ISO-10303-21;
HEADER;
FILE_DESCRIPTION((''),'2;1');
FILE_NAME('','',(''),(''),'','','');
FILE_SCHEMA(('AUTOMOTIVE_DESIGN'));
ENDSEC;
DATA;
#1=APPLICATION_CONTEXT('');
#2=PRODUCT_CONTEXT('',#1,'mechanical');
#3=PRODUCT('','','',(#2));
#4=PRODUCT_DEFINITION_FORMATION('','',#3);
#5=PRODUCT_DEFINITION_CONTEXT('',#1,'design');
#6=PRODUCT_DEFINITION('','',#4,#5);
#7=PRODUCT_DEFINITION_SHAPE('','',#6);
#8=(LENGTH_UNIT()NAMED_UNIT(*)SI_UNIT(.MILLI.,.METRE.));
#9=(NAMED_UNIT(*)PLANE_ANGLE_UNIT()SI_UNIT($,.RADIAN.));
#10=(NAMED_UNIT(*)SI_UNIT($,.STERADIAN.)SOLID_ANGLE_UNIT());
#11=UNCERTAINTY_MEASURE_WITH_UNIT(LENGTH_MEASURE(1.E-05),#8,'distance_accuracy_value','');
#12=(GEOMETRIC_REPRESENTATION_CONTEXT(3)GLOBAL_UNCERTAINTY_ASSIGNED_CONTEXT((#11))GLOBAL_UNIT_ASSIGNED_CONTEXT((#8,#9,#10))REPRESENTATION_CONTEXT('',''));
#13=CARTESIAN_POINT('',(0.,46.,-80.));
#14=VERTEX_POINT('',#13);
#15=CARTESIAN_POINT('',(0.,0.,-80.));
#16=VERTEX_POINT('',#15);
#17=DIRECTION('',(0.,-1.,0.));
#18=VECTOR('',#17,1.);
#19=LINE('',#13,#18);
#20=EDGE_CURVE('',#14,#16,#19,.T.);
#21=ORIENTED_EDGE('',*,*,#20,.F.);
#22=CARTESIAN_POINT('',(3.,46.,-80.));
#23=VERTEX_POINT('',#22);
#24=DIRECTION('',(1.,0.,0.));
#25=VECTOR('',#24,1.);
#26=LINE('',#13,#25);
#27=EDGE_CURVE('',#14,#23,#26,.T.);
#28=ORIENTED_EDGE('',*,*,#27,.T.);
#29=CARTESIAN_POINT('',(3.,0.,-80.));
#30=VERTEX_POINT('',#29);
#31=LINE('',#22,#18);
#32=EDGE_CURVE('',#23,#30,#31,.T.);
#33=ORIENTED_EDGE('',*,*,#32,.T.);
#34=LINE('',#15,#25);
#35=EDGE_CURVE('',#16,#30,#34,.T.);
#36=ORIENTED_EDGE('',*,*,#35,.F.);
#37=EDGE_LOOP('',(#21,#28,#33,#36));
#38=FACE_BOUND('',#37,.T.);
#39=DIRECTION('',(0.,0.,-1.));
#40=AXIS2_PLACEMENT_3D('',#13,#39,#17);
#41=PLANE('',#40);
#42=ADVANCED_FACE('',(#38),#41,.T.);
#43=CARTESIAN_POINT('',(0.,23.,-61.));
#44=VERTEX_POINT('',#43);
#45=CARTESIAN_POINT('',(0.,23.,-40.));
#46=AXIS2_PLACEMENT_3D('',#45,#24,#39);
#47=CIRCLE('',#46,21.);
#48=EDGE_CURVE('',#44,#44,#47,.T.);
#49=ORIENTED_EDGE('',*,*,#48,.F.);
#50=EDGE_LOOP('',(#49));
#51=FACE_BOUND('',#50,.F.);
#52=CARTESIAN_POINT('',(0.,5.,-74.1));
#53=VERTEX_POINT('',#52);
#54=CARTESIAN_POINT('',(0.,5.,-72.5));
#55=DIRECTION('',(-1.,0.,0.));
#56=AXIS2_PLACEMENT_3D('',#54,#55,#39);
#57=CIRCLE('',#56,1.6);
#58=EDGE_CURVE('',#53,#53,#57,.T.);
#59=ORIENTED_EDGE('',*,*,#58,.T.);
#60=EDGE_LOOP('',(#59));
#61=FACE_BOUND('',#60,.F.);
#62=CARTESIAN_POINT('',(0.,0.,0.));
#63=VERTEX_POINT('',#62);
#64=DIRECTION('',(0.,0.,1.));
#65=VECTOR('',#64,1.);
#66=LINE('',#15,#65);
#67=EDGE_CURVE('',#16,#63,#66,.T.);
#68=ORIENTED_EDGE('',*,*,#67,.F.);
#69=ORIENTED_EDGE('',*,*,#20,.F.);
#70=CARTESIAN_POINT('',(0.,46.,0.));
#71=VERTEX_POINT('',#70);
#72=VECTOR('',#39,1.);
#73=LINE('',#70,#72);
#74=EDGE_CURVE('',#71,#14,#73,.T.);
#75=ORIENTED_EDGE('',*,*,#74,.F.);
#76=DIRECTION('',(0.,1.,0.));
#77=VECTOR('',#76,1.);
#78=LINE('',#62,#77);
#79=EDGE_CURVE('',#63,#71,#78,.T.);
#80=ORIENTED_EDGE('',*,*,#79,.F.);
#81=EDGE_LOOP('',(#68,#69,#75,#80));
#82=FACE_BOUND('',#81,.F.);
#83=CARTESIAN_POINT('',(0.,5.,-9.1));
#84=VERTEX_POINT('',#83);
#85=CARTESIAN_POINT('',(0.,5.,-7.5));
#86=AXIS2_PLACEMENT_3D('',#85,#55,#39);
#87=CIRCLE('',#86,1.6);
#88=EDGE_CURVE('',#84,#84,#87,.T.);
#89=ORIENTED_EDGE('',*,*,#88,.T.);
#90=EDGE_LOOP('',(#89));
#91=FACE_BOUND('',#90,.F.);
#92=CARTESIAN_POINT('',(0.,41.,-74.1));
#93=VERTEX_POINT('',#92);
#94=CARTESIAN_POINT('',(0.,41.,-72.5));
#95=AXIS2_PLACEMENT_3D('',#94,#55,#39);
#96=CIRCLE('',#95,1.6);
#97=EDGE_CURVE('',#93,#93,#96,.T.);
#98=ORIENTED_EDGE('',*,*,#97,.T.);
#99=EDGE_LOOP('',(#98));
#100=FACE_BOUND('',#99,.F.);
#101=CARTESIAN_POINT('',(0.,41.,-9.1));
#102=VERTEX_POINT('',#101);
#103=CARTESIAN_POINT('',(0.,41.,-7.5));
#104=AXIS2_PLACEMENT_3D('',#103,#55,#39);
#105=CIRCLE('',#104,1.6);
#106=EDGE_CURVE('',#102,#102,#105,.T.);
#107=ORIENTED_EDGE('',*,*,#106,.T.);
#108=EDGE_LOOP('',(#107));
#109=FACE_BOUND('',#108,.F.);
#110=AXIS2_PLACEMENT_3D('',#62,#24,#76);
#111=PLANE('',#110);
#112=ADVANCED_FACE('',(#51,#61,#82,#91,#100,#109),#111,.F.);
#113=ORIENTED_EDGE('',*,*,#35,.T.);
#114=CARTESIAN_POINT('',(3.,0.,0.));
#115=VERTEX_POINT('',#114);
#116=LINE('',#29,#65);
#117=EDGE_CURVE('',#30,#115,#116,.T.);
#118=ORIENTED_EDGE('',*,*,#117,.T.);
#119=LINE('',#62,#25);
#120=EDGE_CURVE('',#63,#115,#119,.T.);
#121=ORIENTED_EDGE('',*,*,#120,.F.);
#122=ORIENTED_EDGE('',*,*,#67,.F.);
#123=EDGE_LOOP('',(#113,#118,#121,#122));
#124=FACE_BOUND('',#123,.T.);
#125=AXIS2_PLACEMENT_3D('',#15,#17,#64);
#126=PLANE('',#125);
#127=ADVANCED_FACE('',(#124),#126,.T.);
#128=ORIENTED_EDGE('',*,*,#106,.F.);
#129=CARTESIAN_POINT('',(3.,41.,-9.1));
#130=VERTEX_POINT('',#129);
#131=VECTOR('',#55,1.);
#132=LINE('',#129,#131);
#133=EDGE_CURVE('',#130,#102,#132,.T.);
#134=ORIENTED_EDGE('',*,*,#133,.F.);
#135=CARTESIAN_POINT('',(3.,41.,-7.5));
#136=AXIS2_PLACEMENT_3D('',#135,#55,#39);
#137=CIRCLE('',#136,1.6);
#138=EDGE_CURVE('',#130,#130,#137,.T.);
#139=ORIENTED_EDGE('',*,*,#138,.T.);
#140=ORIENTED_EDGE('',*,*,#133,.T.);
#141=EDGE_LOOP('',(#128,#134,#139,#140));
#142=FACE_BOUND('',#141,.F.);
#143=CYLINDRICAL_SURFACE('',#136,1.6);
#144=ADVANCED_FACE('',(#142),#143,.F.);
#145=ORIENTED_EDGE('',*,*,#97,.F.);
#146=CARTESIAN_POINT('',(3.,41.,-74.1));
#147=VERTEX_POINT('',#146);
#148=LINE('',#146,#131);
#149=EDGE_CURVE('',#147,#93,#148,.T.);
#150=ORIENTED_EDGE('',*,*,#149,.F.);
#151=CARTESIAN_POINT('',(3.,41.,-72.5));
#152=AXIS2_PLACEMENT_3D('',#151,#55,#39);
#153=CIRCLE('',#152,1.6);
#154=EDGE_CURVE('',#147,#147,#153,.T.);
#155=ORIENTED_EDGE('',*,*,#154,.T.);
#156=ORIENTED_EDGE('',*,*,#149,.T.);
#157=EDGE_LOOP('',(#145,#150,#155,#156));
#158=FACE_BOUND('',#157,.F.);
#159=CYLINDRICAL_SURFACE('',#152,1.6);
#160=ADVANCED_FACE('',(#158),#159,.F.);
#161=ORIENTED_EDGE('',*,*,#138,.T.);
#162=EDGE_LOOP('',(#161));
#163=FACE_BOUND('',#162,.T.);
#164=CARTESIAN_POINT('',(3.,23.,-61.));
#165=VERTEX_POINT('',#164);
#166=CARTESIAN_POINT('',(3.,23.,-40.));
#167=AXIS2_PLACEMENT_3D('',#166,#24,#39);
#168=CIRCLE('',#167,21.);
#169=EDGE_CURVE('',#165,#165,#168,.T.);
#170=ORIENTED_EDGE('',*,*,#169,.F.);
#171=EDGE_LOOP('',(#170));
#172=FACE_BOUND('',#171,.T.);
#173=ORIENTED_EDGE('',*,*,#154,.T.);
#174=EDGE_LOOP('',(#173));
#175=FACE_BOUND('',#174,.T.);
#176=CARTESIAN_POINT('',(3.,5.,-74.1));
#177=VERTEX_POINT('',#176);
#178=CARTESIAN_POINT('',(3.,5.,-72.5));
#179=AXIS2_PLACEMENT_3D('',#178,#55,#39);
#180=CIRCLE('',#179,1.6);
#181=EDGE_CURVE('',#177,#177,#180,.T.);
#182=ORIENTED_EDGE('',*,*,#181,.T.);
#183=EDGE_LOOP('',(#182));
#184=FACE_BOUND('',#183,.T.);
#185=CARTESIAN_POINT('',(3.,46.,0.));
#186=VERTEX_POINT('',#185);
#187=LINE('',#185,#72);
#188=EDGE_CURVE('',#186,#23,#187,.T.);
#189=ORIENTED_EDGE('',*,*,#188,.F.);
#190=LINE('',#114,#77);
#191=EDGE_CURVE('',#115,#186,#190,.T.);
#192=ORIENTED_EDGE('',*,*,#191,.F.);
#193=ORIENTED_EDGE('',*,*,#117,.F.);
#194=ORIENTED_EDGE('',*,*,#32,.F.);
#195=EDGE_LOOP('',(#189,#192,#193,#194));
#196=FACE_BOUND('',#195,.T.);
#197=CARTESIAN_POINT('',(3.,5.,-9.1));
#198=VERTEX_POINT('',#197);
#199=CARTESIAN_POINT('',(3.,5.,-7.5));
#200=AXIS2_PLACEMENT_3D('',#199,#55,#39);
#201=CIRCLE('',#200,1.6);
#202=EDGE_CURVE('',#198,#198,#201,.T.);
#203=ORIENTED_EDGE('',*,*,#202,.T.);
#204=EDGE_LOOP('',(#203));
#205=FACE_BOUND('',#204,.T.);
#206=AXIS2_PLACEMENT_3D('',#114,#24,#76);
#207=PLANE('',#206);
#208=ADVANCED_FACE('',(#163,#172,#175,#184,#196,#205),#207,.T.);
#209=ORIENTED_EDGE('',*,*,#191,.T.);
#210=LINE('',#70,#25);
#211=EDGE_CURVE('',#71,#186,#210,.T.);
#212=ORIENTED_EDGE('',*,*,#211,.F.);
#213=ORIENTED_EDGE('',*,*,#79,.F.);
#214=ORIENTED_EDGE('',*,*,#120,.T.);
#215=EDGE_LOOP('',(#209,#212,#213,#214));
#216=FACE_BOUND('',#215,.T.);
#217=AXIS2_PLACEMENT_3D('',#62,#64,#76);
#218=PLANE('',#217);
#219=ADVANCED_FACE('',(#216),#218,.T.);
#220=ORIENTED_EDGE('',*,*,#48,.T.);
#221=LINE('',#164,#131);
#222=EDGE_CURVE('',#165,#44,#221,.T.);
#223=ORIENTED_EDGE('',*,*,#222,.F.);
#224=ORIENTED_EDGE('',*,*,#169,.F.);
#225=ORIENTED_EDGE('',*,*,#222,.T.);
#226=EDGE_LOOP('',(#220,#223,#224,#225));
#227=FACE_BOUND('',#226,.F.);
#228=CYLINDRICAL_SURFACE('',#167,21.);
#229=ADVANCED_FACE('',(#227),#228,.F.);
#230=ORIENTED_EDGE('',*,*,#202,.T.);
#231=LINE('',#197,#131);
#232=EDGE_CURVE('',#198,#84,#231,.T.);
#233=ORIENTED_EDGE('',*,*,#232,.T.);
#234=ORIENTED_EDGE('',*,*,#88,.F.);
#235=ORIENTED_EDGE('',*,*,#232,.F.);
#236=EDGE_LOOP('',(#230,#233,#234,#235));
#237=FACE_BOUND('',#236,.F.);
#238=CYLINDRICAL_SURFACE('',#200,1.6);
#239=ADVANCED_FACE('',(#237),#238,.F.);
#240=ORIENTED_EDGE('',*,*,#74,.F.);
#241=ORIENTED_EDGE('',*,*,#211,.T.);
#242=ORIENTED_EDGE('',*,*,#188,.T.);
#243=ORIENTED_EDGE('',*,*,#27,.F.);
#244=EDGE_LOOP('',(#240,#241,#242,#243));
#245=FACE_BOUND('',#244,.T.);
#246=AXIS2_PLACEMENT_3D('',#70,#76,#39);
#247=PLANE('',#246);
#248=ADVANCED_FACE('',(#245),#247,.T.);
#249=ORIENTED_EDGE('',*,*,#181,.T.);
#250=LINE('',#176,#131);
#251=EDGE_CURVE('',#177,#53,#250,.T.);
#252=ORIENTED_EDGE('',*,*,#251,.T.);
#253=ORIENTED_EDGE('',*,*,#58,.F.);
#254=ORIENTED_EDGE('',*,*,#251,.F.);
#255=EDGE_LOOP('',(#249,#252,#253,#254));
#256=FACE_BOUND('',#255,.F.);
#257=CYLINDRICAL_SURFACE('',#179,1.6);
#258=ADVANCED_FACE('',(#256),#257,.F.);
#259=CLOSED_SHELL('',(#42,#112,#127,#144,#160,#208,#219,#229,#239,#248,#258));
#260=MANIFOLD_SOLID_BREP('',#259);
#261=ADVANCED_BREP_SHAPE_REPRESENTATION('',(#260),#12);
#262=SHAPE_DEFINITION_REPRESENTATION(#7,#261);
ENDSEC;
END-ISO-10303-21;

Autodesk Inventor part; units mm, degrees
ref_plane "YZ Plane" through (0, 0, 0) normal (1, 0, 0) x (0, 1, 0)
ref_plane "XZ Plane" through (0, 0, 0) normal (0, 1, 0) x (-1, 0, 0)
ref_plane "XY Plane" through (0, 0, 0) normal (0, 0, 1) x (1, 0, 0)
sketch "スケッチ1" plane through (0, 0, 0) normal (1, 0, 0) x (0, 1, 0)
  line L0 (0, 0) -> (46, 0)
  line L1 (46, 0) -> (46, -80)
  line L2 (46, -80) -> (0, -80)
  line L3 (0, -80) -> (0, 0)
  dimension "d0" = 46
  dimension "d1" = 80
extrude "押し出し1" add sketch "スケッチ1" along normal blind 3
sketch "スケッチ2" plane through (3, 0, 0) normal (1, 0, 0) x (0, 0, -1)
  circle A0 centre (40, 23) radius 21
  line L0 (80, 46) -> (0, 46) projected
  line L1 (0, 46) -> (0, 0) projected
  dimension "d4" = 42
  dimension "d5" = 23
  dimension "d6" = 40
extrude "押し出し2" cut sketch "スケッチ2" against normal blind 3
sketch "スケッチ3" plane through (3, 0, 0) normal (1, 0, 0) x (0, 0, -1)
  circle A0 centre (72.5, 41) radius 1.6
  line L0 (80, 0) -> (80, 46) projected
  line L1 (80, 46) -> (0, 46) projected
  circle A1 centre (72.5, 5) radius 1.6
  line L2 (0, 0) -> (80, 0) projected
  circle A2 centre (7.5, 41) radius 1.6
  line L3 (0, 46) -> (0, 0) projected
  circle A3 centre (7.5, 5) radius 1.6
  dimension "d9" = 3.2
  dimension "d10" = 7.5
  dimension "d11" = 5
  dimension "d12" = 3.2
  dimension "d13" = 5
  dimension "d14" = 3.2
  dimension "d15" = 5
  dimension "d16" = 7.5
  dimension "d17" = 3.2
  dimension "d18" = 5
  dimension "d19" = 7.5
  dimension "d20" = 7.5
hole "穴1" at (3, 41, -7.5) at (3, 5, -7.5) at (3, 5, -72.5) at (3, 41, -72.5) direction (-1, 0, 0) diameter 3.2 depth 3
equation "\"BendRadius\" = Thickness"
equation "\"BendReliefWidth\" = Thickness"
equation "\"BendReliefDepth\" = 0.5 * Thickness"
equation "\"CornerReliefSize\" = 4 * Thickness"
equation "\"MinimumRemnant\" = 2 * Thickness"
equation "\"TransitionRadius\" = BendRadius"
equation "\"JacobiRadiusSize\" = BendRadius"
equation "\"GapSize\" = Thickness"
equation "\"Thickness\" = 0.5"
properties part number "nhk30"
